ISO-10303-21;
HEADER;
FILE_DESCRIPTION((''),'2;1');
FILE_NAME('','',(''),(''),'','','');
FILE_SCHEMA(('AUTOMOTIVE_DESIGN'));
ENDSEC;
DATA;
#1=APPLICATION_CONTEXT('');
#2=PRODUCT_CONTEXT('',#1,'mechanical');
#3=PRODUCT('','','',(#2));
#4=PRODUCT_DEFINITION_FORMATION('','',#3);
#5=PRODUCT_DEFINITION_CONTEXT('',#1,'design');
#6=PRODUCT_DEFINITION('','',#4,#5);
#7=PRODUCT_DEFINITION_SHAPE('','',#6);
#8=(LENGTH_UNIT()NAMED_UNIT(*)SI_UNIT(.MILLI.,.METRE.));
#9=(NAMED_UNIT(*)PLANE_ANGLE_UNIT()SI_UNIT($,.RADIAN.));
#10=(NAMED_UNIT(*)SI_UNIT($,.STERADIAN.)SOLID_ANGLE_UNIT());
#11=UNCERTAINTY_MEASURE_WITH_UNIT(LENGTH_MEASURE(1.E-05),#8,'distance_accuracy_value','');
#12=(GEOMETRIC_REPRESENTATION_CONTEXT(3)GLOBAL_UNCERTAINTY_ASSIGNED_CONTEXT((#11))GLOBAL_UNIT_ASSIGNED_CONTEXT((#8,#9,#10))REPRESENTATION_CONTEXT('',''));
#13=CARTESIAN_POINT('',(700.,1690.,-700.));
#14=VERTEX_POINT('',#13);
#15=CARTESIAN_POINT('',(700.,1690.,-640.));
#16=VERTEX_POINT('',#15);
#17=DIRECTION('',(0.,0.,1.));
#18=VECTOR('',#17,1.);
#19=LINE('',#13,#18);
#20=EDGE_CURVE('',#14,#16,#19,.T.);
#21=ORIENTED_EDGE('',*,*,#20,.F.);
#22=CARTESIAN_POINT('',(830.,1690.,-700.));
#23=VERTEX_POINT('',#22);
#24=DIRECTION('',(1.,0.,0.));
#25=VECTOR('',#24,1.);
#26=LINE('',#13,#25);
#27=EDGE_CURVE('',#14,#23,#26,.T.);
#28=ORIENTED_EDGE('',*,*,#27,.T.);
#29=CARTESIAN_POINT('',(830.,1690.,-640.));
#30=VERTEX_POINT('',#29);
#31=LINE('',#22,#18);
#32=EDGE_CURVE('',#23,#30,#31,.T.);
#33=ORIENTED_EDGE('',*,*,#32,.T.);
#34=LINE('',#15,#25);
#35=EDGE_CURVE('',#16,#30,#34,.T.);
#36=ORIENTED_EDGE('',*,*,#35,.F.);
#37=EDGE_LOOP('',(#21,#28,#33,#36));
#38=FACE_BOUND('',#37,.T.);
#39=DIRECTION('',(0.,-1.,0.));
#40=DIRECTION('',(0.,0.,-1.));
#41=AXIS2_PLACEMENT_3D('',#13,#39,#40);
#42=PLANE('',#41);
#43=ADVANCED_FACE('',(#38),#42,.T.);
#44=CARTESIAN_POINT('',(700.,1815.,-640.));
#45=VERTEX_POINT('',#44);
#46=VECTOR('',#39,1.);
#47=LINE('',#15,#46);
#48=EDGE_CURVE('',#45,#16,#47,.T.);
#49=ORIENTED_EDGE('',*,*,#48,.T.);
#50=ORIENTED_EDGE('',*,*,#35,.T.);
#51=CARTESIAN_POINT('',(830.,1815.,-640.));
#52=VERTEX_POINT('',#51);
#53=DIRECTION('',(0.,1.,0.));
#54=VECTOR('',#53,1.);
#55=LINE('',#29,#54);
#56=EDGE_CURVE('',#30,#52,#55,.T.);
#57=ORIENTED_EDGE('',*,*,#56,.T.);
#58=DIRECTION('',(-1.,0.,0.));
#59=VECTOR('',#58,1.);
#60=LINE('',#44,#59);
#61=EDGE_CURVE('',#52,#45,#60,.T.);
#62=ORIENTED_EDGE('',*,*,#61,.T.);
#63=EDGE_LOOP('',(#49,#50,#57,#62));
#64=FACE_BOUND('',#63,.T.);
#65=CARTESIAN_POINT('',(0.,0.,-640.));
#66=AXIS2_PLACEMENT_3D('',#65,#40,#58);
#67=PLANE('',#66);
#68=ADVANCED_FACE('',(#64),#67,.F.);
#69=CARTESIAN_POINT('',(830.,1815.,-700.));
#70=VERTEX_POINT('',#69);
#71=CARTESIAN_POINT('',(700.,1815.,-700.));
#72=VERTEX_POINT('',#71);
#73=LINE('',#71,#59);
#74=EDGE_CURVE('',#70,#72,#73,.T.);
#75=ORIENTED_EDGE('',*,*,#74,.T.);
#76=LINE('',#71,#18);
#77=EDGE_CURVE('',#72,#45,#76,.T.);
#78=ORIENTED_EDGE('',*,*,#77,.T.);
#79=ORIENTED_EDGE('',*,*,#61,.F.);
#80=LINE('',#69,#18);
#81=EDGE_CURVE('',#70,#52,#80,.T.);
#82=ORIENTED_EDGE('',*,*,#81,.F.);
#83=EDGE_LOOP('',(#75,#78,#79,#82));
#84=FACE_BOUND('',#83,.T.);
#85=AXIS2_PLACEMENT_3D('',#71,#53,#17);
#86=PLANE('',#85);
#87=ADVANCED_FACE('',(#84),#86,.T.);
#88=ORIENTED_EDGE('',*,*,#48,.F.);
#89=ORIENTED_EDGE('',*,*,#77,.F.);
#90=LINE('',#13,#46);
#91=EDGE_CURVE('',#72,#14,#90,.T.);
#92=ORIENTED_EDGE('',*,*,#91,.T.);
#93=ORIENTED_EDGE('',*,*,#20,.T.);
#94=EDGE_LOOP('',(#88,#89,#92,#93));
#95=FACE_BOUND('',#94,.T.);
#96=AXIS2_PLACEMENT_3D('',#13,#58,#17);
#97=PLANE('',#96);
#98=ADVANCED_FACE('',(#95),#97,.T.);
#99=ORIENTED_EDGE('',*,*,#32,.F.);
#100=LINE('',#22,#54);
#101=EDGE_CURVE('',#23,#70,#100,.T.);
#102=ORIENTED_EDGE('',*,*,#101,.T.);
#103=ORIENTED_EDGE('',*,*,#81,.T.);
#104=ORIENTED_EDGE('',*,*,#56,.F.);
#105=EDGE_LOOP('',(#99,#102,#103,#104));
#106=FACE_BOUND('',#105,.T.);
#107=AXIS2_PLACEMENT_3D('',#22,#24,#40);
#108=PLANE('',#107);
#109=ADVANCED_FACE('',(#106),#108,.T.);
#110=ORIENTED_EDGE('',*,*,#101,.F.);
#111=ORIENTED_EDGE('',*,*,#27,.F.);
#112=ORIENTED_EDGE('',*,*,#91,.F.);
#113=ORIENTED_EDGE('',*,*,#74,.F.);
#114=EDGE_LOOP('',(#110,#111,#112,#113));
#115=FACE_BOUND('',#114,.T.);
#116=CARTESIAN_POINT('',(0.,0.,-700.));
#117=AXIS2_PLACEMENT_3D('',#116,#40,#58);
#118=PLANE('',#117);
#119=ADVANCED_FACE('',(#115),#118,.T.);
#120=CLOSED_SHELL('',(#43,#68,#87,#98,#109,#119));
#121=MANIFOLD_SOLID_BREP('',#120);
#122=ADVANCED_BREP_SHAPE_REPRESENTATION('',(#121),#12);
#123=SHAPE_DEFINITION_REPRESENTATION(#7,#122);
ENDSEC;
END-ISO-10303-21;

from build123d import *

# Parameters (mm, degrees)
STORE_PANO_GUC_KAYNAGI_24V_10A_1_START = -640
SKETCH1_W                              = 130
SKETCH1_H                              = 125
STORE_PANO_GUC_KAYNAGI_24V_10A_1_DEPTH = 60


with BuildPart() as part:
    # Sketch1 → STORE_pano_guc_kaynagi_24V_10A_1 (new body)
    with BuildSketch(Plane.XY.offset(STORE_PANO_GUC_KAYNAGI_24V_10A_1_START)):
        with Locations((765, 1752.5)):
            Rectangle(SKETCH1_W, SKETCH1_H)
    extrude(amount=-STORE_PANO_GUC_KAYNAGI_24V_10A_1_DEPTH)


solid = part.part
